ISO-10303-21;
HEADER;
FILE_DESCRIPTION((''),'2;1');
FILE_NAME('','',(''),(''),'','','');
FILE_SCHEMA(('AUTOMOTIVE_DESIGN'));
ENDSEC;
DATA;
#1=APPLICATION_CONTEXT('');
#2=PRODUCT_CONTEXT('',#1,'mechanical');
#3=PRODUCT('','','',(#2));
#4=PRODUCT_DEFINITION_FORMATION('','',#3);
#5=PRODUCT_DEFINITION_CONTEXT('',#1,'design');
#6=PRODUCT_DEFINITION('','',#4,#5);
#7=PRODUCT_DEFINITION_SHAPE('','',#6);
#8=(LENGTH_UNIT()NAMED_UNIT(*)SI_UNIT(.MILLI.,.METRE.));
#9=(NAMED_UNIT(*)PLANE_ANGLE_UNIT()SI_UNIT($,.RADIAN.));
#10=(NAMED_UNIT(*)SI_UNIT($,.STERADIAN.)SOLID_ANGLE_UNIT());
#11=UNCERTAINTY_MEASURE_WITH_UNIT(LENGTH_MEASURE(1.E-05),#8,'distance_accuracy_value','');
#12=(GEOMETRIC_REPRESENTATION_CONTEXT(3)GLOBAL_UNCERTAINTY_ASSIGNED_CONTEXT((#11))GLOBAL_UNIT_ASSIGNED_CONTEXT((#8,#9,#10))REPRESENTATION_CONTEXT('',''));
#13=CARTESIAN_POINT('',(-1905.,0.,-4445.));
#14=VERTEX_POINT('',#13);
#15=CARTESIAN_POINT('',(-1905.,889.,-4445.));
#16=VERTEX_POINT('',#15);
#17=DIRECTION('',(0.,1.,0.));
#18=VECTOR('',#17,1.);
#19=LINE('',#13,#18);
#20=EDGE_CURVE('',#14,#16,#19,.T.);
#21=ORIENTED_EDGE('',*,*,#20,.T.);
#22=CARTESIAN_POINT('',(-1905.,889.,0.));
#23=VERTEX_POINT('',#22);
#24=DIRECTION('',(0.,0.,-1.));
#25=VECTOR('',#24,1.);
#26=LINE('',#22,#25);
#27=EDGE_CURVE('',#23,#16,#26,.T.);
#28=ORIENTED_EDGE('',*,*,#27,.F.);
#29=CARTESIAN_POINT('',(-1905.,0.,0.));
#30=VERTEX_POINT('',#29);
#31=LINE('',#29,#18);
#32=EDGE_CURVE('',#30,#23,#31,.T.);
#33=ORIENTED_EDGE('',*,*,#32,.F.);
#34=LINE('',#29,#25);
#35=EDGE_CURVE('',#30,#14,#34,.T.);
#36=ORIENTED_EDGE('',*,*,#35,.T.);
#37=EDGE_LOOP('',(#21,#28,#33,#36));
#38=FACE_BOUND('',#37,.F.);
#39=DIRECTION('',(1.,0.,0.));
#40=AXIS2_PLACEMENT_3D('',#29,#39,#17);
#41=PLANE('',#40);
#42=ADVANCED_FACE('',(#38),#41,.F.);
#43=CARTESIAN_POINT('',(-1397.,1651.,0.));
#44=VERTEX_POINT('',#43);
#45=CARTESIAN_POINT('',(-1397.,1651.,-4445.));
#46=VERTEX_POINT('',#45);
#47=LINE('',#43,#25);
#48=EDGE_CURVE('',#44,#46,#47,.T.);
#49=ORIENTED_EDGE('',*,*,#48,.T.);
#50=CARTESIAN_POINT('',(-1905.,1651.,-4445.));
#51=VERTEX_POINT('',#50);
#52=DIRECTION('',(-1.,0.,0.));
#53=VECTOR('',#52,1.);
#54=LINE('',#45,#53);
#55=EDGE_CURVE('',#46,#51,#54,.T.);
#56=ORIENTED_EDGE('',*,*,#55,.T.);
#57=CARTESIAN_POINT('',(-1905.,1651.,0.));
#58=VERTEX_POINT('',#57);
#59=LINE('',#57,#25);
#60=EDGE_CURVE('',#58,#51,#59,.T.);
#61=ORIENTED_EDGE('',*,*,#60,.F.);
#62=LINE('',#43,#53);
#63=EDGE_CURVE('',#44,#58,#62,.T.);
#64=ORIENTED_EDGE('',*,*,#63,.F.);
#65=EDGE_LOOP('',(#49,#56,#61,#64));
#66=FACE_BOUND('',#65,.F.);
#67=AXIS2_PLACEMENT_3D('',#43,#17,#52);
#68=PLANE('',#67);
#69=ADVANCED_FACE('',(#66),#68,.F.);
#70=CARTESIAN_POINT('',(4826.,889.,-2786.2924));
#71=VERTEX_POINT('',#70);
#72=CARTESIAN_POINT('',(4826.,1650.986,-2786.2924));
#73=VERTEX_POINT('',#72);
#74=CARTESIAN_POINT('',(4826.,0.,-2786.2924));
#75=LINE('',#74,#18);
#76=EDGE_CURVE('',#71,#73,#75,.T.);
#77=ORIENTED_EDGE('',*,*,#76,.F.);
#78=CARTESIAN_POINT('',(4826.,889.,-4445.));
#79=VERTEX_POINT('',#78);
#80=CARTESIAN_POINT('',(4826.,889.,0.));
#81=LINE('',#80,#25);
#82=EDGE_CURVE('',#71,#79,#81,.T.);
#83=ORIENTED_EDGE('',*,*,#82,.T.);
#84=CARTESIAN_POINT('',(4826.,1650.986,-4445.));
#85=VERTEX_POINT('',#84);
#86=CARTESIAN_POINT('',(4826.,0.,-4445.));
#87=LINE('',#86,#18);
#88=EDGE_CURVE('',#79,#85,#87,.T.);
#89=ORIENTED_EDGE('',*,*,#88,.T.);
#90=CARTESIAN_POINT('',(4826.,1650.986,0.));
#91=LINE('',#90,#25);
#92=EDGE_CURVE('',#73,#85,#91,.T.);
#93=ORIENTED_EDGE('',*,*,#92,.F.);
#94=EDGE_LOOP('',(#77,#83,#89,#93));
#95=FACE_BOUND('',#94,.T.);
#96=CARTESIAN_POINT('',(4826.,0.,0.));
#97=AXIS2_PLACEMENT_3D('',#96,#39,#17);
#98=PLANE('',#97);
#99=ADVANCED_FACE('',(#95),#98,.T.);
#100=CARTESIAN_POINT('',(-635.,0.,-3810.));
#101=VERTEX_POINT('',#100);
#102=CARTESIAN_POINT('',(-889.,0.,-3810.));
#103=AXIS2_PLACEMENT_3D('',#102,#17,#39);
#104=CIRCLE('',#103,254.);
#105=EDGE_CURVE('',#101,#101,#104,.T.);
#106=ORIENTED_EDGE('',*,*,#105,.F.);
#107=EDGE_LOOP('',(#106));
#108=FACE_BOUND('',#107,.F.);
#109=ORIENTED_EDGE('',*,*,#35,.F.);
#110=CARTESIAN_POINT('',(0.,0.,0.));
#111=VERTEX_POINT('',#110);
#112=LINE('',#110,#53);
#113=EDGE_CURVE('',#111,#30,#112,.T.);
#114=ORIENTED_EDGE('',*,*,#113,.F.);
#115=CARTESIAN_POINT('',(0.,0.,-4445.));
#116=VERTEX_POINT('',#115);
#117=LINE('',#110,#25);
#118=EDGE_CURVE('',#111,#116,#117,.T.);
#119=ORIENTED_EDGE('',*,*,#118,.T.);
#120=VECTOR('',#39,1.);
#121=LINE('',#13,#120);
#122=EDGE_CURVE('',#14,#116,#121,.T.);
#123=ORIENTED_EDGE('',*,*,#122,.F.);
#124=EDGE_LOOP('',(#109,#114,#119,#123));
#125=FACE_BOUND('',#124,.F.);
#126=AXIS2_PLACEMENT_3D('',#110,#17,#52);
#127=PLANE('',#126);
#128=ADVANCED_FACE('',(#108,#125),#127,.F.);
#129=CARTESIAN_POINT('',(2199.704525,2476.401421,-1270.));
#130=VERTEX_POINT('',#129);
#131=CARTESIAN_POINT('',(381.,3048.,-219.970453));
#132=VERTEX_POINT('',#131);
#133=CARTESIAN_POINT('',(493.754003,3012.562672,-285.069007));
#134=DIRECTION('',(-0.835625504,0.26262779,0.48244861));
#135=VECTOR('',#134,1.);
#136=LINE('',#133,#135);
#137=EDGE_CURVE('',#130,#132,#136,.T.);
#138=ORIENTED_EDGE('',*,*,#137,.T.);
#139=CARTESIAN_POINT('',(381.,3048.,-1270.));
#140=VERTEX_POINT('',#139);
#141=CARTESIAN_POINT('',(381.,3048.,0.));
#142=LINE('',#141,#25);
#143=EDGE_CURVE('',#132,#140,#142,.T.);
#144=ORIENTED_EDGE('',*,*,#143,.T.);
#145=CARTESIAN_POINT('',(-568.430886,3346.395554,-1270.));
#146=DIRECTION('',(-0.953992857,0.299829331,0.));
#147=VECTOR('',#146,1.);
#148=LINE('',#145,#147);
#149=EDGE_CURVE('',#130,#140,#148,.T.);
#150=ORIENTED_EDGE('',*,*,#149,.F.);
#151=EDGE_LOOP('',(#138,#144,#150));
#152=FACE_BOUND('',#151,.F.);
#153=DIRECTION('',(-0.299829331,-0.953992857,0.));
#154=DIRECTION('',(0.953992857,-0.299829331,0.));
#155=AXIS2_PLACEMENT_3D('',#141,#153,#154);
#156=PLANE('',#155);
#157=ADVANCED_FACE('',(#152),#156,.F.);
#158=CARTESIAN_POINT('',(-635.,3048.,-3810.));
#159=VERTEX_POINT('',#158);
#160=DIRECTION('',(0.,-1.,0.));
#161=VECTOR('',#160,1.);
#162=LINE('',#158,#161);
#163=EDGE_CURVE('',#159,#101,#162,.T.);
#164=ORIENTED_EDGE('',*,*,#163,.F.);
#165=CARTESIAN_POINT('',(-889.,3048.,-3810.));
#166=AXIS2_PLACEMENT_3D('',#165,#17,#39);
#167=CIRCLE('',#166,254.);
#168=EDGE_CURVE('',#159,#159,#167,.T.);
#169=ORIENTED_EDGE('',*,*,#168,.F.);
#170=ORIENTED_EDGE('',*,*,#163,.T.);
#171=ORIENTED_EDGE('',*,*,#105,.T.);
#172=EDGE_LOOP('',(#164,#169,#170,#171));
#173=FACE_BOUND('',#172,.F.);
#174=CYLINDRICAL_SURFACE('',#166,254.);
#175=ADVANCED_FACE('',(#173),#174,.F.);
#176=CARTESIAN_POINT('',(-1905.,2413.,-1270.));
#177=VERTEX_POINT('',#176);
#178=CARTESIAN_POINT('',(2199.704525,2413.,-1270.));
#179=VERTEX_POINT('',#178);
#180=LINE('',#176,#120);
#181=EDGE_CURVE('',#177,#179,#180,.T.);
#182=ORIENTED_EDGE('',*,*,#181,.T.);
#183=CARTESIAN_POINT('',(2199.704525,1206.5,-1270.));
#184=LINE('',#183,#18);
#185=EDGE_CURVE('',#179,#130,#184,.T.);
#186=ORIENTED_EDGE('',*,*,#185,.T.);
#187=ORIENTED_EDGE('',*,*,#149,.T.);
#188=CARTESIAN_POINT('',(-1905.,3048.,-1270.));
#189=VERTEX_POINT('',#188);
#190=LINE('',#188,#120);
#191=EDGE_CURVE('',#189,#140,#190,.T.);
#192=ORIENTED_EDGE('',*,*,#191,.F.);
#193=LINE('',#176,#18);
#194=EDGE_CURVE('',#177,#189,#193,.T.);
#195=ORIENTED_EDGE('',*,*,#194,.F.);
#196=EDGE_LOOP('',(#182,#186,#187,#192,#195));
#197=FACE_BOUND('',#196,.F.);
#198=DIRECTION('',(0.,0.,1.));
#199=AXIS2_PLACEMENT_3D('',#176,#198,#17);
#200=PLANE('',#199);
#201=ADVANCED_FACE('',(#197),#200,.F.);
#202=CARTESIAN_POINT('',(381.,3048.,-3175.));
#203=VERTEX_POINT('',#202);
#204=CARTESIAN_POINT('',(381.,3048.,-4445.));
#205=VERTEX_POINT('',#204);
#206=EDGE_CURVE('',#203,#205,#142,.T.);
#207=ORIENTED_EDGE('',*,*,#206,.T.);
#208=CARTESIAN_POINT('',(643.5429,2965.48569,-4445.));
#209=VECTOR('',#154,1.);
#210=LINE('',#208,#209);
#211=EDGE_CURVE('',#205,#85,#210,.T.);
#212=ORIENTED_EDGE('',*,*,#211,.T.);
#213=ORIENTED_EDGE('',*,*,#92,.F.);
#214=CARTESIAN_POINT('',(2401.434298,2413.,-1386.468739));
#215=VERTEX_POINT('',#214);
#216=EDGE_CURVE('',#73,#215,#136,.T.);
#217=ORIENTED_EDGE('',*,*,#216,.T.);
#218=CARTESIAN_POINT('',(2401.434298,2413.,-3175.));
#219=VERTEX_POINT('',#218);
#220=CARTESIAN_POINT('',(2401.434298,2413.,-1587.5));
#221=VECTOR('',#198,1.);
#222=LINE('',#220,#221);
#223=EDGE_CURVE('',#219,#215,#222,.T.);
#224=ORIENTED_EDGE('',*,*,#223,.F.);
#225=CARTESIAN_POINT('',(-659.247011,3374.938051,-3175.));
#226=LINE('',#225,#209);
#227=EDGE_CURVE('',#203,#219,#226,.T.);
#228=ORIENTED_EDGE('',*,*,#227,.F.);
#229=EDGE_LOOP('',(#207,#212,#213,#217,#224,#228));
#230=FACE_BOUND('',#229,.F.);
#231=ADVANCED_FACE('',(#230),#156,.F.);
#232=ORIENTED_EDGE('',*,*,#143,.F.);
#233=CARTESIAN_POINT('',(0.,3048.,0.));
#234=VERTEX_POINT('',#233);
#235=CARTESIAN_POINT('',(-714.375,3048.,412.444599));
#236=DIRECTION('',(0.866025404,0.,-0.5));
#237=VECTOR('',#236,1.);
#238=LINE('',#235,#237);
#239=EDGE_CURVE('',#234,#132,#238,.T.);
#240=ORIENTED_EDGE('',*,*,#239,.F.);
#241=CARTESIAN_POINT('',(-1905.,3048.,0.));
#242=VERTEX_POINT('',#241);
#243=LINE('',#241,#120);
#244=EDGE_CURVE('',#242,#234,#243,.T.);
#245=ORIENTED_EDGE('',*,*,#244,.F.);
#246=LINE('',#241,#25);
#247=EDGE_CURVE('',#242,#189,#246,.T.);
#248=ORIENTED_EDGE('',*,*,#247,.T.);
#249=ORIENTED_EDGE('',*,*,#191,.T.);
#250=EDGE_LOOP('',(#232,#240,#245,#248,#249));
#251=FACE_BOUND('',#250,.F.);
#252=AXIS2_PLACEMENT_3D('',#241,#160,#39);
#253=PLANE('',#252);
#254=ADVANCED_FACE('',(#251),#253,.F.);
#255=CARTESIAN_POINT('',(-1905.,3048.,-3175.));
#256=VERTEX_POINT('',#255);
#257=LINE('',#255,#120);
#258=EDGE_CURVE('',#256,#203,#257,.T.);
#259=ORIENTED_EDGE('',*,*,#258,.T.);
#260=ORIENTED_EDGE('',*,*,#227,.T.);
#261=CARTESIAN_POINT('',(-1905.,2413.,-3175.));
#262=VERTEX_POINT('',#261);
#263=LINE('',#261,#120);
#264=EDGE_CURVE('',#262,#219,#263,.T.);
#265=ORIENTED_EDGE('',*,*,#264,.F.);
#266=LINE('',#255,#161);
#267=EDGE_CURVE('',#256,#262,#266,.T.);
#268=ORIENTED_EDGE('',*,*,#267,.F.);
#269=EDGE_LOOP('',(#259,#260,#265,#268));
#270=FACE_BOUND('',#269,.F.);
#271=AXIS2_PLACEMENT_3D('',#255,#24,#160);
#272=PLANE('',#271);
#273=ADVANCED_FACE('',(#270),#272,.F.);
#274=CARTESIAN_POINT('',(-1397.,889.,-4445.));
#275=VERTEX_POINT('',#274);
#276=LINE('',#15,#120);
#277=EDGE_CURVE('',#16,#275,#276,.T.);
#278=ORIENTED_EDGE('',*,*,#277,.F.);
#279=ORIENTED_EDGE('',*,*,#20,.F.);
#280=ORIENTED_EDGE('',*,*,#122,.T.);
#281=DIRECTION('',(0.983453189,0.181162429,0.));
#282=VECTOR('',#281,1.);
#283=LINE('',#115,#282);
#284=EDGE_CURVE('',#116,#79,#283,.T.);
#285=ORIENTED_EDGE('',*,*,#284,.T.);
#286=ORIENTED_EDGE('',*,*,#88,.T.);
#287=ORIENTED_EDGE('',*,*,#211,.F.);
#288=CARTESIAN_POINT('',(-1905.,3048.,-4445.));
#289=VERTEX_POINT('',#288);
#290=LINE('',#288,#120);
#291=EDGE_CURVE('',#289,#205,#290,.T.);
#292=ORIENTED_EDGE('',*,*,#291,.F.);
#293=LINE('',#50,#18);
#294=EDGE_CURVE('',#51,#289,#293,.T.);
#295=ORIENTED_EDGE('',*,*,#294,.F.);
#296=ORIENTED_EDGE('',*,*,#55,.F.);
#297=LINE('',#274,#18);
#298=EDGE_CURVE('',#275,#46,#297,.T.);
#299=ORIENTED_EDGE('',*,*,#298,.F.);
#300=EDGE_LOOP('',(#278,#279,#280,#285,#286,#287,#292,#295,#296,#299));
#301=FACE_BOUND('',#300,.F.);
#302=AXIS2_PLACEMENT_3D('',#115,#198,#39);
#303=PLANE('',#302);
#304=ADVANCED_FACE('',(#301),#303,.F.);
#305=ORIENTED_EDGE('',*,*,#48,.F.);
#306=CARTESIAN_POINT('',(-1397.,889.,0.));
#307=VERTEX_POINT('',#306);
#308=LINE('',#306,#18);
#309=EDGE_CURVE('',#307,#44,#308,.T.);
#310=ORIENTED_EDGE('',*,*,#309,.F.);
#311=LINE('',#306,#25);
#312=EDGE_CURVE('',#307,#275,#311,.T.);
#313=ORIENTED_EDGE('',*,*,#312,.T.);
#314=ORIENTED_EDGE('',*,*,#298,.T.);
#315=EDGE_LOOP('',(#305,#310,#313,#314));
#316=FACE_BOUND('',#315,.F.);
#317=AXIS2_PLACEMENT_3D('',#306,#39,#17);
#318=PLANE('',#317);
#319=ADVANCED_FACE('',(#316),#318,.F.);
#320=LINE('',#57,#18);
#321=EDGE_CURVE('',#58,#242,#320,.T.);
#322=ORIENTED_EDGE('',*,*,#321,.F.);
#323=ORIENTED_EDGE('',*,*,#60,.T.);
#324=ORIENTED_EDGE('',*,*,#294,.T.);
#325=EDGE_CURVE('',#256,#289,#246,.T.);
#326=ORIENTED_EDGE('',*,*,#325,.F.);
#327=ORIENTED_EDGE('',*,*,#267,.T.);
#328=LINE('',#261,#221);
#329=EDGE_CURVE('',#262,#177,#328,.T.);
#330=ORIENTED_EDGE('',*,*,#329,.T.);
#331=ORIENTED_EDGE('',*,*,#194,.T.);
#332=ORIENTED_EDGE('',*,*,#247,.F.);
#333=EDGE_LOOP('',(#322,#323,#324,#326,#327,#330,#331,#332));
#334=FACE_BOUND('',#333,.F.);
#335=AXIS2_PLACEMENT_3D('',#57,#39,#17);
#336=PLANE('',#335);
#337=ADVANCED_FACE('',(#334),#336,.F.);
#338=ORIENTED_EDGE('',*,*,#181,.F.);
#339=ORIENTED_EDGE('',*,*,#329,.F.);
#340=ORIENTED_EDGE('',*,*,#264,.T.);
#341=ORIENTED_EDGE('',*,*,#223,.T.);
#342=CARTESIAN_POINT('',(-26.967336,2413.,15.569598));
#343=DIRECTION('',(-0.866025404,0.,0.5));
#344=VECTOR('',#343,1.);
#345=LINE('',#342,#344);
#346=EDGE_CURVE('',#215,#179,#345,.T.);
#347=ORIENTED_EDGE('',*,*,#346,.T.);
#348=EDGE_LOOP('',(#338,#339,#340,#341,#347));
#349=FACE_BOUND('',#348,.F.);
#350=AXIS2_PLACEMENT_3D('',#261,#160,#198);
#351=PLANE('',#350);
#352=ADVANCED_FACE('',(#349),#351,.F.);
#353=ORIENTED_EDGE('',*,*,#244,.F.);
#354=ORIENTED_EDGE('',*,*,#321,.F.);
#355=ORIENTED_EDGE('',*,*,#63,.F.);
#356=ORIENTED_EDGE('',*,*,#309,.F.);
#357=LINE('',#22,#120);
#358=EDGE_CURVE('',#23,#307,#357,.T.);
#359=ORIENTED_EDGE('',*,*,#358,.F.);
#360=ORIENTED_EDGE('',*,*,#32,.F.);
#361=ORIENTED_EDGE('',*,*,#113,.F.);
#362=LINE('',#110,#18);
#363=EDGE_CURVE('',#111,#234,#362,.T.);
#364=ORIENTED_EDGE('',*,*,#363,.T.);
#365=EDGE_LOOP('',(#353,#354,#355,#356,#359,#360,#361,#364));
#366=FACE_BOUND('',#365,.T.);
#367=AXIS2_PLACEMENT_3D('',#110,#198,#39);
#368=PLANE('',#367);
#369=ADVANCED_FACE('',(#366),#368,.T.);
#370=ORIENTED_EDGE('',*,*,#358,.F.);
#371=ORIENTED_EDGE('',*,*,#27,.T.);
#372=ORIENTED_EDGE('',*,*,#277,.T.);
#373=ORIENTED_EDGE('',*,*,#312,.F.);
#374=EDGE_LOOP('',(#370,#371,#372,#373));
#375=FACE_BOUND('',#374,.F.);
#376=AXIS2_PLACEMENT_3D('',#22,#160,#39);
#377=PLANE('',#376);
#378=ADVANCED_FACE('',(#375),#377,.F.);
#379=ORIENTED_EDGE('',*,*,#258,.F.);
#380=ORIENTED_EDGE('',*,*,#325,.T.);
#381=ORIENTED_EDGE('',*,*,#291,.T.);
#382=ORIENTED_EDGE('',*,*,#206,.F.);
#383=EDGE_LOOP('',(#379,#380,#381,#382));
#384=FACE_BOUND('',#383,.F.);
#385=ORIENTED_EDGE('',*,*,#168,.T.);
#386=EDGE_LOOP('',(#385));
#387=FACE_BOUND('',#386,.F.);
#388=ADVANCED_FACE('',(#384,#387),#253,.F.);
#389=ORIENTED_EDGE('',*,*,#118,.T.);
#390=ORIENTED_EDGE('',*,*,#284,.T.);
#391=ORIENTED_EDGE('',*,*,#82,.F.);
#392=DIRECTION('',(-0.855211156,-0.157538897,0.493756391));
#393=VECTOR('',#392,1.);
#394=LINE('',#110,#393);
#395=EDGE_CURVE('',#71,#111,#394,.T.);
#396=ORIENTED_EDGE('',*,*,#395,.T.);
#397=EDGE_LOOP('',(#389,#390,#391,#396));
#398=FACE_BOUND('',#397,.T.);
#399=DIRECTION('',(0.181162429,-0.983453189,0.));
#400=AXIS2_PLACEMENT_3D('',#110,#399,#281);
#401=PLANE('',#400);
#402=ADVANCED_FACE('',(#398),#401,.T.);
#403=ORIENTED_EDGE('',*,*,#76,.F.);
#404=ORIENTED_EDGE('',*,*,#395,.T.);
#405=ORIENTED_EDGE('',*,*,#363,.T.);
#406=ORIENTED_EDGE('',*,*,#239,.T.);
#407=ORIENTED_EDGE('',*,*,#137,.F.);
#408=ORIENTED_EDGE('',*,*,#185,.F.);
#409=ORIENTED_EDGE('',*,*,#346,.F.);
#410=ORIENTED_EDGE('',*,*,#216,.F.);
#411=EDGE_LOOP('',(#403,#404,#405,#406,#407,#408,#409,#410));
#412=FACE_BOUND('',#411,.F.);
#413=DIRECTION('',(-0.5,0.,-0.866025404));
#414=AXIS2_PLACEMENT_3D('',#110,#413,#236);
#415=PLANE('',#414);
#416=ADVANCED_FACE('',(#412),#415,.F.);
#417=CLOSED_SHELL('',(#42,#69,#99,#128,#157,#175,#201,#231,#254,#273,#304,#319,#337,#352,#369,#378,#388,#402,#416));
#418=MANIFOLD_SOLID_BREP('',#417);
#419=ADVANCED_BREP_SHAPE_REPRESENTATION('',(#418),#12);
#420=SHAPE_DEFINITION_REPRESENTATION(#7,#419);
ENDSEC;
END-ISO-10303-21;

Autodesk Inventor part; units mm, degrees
ref_plane "YZ Plane" through (0, 0, 0) normal (1, 0, 0) x (0, 1, 0)
ref_plane "XZ Plane" through (0, 0, 0) normal (0, 1, 0) x (-1, 0, 0)
ref_plane "XY Plane" through (0, 0, 0) normal (0, 0, 1) x (1, 0, 0)
sketch "Sketch1" plane through (0, 0, 0) normal (0, 0, 1) x (1, 0, 0)
  line L0 (0, 0) -> (-1905, 0)
  line L1 (-1905, 0) -> (-1905, 889)
  line L2 (-1905, 889) -> (-1397, 889)
  line L3 (-1397, 889) -> (-1397, 1651)
  line L4 (-1397, 1651) -> (-1905, 1651)
  line L5 (-1905, 1651) -> (-1905, 3048)
  line L6 (-1905, 3048) -> (381, 3048)
  line L7 (4826, 2413) -> (381, 3048)
  line L8 (0, 0) -> (4445, 0)
  line L9 (4445, 0) -> (4826, 0)
  line L10 (4826, 0) -> (4826, 2413)
  dimension "d0" = 1905
  dimension "d1" = 889
  dimension "d2" = 508
  dimension "d3" = 762
  dimension "d4" = 508
  dimension "d5" = 1397
  dimension "d6" = 2286
  dimension "d10" = 4445
  dimension "d11" = 381
extrude "Extrusion1" add sketch "Sketch1" against normal blind 4445
sketch "Sketch3" plane through (-1905, 0, 0) normal (0, -1, 0) x (1, 0, 0)
  line L0 (1905, 0) -> (6731, -2786.2924)
  line L1 (6731, 0) -> (6731, -4445) projected
  line L2 (6731, -2786.2924) -> (6731, 0)
  line L3 (0, 0) -> (6731, 0) projected
  line L4 (1905, 0) -> (6731, 0)
extrude "Extrusion2" cut sketch "Sketch3" against normal through all
sketch "Sketch4" plane through (-1905, 0, -4445) normal (0, -1, 0) x (1, 0, 0)
  point P0 (1905, 4445)
  point P1 (6731, 0)
sketch "Sketch5" plane through (0, 0, 0) normal (0, 0, 1) x (1, 0, 0)
  line L0 (381, 3048) -> (4826, 1650.986)
  line L1 (4826, 1650.986) -> (4826, 3048)
  line L2 (-1905, 3048) -> (381, 3048) projected
  line L3 (4826, 3048) -> (381, 3048)
  point P0 (0, 0)
extrude "Extrusion3" cut sketch "Sketch5" against normal through all
sketch "Sketch6" plane through (0, 0, 0) normal (0, 0, 1) x (1, 0, 0)
  line L0 (-1397, 889) -> (-1397, 1651) projected
  line L1 (4826, 1650.986) -> (4826, 0) projected
  line L2 (4826, 0) -> (0, 0) projected
  line L3 (0, 0) -> (4826, 889)
  line L4 (0, 0) -> (4826, 0)
  line L5 (4826, 889) -> (4826, 0)
extrude "Extrusion4" cut sketch "Sketch6" against normal through all
sketch "Sketch7" plane through (-1905, 1651, 0) normal (-1, 0, 0) x (0, 0, 1)
  line L0 (-4445, 1397) -> (-4445, -0.014) projected
  line L1 (-3175, 1397) -> (-3175, 762)
  line L2 (-3175, 762) -> (-1270, 762)
  line L3 (-1270, 762) -> (-1270, 1397)
  line L4 (-1270, 1397) -> (-3175, 1397)
  point P0 (0, -1651)
  dimension "d24" = 635
  dimension "d25" = 1905
extrude "Extrusion5" cut sketch "Sketch7" against normal through all
sketch "Sketch8" plane through (-1905, 3048, -4445) normal (0, 1, 0) x (1, 0, 0)
  circle A0 centre (1016, -635) radius 254
  point P0 (1905, -4445)
  dimension "d30" = 508
extrude "Extrusion6" cut sketch "Sketch8" against normal through all
properties part number "Assignment 3.3 - Angle Slider"
